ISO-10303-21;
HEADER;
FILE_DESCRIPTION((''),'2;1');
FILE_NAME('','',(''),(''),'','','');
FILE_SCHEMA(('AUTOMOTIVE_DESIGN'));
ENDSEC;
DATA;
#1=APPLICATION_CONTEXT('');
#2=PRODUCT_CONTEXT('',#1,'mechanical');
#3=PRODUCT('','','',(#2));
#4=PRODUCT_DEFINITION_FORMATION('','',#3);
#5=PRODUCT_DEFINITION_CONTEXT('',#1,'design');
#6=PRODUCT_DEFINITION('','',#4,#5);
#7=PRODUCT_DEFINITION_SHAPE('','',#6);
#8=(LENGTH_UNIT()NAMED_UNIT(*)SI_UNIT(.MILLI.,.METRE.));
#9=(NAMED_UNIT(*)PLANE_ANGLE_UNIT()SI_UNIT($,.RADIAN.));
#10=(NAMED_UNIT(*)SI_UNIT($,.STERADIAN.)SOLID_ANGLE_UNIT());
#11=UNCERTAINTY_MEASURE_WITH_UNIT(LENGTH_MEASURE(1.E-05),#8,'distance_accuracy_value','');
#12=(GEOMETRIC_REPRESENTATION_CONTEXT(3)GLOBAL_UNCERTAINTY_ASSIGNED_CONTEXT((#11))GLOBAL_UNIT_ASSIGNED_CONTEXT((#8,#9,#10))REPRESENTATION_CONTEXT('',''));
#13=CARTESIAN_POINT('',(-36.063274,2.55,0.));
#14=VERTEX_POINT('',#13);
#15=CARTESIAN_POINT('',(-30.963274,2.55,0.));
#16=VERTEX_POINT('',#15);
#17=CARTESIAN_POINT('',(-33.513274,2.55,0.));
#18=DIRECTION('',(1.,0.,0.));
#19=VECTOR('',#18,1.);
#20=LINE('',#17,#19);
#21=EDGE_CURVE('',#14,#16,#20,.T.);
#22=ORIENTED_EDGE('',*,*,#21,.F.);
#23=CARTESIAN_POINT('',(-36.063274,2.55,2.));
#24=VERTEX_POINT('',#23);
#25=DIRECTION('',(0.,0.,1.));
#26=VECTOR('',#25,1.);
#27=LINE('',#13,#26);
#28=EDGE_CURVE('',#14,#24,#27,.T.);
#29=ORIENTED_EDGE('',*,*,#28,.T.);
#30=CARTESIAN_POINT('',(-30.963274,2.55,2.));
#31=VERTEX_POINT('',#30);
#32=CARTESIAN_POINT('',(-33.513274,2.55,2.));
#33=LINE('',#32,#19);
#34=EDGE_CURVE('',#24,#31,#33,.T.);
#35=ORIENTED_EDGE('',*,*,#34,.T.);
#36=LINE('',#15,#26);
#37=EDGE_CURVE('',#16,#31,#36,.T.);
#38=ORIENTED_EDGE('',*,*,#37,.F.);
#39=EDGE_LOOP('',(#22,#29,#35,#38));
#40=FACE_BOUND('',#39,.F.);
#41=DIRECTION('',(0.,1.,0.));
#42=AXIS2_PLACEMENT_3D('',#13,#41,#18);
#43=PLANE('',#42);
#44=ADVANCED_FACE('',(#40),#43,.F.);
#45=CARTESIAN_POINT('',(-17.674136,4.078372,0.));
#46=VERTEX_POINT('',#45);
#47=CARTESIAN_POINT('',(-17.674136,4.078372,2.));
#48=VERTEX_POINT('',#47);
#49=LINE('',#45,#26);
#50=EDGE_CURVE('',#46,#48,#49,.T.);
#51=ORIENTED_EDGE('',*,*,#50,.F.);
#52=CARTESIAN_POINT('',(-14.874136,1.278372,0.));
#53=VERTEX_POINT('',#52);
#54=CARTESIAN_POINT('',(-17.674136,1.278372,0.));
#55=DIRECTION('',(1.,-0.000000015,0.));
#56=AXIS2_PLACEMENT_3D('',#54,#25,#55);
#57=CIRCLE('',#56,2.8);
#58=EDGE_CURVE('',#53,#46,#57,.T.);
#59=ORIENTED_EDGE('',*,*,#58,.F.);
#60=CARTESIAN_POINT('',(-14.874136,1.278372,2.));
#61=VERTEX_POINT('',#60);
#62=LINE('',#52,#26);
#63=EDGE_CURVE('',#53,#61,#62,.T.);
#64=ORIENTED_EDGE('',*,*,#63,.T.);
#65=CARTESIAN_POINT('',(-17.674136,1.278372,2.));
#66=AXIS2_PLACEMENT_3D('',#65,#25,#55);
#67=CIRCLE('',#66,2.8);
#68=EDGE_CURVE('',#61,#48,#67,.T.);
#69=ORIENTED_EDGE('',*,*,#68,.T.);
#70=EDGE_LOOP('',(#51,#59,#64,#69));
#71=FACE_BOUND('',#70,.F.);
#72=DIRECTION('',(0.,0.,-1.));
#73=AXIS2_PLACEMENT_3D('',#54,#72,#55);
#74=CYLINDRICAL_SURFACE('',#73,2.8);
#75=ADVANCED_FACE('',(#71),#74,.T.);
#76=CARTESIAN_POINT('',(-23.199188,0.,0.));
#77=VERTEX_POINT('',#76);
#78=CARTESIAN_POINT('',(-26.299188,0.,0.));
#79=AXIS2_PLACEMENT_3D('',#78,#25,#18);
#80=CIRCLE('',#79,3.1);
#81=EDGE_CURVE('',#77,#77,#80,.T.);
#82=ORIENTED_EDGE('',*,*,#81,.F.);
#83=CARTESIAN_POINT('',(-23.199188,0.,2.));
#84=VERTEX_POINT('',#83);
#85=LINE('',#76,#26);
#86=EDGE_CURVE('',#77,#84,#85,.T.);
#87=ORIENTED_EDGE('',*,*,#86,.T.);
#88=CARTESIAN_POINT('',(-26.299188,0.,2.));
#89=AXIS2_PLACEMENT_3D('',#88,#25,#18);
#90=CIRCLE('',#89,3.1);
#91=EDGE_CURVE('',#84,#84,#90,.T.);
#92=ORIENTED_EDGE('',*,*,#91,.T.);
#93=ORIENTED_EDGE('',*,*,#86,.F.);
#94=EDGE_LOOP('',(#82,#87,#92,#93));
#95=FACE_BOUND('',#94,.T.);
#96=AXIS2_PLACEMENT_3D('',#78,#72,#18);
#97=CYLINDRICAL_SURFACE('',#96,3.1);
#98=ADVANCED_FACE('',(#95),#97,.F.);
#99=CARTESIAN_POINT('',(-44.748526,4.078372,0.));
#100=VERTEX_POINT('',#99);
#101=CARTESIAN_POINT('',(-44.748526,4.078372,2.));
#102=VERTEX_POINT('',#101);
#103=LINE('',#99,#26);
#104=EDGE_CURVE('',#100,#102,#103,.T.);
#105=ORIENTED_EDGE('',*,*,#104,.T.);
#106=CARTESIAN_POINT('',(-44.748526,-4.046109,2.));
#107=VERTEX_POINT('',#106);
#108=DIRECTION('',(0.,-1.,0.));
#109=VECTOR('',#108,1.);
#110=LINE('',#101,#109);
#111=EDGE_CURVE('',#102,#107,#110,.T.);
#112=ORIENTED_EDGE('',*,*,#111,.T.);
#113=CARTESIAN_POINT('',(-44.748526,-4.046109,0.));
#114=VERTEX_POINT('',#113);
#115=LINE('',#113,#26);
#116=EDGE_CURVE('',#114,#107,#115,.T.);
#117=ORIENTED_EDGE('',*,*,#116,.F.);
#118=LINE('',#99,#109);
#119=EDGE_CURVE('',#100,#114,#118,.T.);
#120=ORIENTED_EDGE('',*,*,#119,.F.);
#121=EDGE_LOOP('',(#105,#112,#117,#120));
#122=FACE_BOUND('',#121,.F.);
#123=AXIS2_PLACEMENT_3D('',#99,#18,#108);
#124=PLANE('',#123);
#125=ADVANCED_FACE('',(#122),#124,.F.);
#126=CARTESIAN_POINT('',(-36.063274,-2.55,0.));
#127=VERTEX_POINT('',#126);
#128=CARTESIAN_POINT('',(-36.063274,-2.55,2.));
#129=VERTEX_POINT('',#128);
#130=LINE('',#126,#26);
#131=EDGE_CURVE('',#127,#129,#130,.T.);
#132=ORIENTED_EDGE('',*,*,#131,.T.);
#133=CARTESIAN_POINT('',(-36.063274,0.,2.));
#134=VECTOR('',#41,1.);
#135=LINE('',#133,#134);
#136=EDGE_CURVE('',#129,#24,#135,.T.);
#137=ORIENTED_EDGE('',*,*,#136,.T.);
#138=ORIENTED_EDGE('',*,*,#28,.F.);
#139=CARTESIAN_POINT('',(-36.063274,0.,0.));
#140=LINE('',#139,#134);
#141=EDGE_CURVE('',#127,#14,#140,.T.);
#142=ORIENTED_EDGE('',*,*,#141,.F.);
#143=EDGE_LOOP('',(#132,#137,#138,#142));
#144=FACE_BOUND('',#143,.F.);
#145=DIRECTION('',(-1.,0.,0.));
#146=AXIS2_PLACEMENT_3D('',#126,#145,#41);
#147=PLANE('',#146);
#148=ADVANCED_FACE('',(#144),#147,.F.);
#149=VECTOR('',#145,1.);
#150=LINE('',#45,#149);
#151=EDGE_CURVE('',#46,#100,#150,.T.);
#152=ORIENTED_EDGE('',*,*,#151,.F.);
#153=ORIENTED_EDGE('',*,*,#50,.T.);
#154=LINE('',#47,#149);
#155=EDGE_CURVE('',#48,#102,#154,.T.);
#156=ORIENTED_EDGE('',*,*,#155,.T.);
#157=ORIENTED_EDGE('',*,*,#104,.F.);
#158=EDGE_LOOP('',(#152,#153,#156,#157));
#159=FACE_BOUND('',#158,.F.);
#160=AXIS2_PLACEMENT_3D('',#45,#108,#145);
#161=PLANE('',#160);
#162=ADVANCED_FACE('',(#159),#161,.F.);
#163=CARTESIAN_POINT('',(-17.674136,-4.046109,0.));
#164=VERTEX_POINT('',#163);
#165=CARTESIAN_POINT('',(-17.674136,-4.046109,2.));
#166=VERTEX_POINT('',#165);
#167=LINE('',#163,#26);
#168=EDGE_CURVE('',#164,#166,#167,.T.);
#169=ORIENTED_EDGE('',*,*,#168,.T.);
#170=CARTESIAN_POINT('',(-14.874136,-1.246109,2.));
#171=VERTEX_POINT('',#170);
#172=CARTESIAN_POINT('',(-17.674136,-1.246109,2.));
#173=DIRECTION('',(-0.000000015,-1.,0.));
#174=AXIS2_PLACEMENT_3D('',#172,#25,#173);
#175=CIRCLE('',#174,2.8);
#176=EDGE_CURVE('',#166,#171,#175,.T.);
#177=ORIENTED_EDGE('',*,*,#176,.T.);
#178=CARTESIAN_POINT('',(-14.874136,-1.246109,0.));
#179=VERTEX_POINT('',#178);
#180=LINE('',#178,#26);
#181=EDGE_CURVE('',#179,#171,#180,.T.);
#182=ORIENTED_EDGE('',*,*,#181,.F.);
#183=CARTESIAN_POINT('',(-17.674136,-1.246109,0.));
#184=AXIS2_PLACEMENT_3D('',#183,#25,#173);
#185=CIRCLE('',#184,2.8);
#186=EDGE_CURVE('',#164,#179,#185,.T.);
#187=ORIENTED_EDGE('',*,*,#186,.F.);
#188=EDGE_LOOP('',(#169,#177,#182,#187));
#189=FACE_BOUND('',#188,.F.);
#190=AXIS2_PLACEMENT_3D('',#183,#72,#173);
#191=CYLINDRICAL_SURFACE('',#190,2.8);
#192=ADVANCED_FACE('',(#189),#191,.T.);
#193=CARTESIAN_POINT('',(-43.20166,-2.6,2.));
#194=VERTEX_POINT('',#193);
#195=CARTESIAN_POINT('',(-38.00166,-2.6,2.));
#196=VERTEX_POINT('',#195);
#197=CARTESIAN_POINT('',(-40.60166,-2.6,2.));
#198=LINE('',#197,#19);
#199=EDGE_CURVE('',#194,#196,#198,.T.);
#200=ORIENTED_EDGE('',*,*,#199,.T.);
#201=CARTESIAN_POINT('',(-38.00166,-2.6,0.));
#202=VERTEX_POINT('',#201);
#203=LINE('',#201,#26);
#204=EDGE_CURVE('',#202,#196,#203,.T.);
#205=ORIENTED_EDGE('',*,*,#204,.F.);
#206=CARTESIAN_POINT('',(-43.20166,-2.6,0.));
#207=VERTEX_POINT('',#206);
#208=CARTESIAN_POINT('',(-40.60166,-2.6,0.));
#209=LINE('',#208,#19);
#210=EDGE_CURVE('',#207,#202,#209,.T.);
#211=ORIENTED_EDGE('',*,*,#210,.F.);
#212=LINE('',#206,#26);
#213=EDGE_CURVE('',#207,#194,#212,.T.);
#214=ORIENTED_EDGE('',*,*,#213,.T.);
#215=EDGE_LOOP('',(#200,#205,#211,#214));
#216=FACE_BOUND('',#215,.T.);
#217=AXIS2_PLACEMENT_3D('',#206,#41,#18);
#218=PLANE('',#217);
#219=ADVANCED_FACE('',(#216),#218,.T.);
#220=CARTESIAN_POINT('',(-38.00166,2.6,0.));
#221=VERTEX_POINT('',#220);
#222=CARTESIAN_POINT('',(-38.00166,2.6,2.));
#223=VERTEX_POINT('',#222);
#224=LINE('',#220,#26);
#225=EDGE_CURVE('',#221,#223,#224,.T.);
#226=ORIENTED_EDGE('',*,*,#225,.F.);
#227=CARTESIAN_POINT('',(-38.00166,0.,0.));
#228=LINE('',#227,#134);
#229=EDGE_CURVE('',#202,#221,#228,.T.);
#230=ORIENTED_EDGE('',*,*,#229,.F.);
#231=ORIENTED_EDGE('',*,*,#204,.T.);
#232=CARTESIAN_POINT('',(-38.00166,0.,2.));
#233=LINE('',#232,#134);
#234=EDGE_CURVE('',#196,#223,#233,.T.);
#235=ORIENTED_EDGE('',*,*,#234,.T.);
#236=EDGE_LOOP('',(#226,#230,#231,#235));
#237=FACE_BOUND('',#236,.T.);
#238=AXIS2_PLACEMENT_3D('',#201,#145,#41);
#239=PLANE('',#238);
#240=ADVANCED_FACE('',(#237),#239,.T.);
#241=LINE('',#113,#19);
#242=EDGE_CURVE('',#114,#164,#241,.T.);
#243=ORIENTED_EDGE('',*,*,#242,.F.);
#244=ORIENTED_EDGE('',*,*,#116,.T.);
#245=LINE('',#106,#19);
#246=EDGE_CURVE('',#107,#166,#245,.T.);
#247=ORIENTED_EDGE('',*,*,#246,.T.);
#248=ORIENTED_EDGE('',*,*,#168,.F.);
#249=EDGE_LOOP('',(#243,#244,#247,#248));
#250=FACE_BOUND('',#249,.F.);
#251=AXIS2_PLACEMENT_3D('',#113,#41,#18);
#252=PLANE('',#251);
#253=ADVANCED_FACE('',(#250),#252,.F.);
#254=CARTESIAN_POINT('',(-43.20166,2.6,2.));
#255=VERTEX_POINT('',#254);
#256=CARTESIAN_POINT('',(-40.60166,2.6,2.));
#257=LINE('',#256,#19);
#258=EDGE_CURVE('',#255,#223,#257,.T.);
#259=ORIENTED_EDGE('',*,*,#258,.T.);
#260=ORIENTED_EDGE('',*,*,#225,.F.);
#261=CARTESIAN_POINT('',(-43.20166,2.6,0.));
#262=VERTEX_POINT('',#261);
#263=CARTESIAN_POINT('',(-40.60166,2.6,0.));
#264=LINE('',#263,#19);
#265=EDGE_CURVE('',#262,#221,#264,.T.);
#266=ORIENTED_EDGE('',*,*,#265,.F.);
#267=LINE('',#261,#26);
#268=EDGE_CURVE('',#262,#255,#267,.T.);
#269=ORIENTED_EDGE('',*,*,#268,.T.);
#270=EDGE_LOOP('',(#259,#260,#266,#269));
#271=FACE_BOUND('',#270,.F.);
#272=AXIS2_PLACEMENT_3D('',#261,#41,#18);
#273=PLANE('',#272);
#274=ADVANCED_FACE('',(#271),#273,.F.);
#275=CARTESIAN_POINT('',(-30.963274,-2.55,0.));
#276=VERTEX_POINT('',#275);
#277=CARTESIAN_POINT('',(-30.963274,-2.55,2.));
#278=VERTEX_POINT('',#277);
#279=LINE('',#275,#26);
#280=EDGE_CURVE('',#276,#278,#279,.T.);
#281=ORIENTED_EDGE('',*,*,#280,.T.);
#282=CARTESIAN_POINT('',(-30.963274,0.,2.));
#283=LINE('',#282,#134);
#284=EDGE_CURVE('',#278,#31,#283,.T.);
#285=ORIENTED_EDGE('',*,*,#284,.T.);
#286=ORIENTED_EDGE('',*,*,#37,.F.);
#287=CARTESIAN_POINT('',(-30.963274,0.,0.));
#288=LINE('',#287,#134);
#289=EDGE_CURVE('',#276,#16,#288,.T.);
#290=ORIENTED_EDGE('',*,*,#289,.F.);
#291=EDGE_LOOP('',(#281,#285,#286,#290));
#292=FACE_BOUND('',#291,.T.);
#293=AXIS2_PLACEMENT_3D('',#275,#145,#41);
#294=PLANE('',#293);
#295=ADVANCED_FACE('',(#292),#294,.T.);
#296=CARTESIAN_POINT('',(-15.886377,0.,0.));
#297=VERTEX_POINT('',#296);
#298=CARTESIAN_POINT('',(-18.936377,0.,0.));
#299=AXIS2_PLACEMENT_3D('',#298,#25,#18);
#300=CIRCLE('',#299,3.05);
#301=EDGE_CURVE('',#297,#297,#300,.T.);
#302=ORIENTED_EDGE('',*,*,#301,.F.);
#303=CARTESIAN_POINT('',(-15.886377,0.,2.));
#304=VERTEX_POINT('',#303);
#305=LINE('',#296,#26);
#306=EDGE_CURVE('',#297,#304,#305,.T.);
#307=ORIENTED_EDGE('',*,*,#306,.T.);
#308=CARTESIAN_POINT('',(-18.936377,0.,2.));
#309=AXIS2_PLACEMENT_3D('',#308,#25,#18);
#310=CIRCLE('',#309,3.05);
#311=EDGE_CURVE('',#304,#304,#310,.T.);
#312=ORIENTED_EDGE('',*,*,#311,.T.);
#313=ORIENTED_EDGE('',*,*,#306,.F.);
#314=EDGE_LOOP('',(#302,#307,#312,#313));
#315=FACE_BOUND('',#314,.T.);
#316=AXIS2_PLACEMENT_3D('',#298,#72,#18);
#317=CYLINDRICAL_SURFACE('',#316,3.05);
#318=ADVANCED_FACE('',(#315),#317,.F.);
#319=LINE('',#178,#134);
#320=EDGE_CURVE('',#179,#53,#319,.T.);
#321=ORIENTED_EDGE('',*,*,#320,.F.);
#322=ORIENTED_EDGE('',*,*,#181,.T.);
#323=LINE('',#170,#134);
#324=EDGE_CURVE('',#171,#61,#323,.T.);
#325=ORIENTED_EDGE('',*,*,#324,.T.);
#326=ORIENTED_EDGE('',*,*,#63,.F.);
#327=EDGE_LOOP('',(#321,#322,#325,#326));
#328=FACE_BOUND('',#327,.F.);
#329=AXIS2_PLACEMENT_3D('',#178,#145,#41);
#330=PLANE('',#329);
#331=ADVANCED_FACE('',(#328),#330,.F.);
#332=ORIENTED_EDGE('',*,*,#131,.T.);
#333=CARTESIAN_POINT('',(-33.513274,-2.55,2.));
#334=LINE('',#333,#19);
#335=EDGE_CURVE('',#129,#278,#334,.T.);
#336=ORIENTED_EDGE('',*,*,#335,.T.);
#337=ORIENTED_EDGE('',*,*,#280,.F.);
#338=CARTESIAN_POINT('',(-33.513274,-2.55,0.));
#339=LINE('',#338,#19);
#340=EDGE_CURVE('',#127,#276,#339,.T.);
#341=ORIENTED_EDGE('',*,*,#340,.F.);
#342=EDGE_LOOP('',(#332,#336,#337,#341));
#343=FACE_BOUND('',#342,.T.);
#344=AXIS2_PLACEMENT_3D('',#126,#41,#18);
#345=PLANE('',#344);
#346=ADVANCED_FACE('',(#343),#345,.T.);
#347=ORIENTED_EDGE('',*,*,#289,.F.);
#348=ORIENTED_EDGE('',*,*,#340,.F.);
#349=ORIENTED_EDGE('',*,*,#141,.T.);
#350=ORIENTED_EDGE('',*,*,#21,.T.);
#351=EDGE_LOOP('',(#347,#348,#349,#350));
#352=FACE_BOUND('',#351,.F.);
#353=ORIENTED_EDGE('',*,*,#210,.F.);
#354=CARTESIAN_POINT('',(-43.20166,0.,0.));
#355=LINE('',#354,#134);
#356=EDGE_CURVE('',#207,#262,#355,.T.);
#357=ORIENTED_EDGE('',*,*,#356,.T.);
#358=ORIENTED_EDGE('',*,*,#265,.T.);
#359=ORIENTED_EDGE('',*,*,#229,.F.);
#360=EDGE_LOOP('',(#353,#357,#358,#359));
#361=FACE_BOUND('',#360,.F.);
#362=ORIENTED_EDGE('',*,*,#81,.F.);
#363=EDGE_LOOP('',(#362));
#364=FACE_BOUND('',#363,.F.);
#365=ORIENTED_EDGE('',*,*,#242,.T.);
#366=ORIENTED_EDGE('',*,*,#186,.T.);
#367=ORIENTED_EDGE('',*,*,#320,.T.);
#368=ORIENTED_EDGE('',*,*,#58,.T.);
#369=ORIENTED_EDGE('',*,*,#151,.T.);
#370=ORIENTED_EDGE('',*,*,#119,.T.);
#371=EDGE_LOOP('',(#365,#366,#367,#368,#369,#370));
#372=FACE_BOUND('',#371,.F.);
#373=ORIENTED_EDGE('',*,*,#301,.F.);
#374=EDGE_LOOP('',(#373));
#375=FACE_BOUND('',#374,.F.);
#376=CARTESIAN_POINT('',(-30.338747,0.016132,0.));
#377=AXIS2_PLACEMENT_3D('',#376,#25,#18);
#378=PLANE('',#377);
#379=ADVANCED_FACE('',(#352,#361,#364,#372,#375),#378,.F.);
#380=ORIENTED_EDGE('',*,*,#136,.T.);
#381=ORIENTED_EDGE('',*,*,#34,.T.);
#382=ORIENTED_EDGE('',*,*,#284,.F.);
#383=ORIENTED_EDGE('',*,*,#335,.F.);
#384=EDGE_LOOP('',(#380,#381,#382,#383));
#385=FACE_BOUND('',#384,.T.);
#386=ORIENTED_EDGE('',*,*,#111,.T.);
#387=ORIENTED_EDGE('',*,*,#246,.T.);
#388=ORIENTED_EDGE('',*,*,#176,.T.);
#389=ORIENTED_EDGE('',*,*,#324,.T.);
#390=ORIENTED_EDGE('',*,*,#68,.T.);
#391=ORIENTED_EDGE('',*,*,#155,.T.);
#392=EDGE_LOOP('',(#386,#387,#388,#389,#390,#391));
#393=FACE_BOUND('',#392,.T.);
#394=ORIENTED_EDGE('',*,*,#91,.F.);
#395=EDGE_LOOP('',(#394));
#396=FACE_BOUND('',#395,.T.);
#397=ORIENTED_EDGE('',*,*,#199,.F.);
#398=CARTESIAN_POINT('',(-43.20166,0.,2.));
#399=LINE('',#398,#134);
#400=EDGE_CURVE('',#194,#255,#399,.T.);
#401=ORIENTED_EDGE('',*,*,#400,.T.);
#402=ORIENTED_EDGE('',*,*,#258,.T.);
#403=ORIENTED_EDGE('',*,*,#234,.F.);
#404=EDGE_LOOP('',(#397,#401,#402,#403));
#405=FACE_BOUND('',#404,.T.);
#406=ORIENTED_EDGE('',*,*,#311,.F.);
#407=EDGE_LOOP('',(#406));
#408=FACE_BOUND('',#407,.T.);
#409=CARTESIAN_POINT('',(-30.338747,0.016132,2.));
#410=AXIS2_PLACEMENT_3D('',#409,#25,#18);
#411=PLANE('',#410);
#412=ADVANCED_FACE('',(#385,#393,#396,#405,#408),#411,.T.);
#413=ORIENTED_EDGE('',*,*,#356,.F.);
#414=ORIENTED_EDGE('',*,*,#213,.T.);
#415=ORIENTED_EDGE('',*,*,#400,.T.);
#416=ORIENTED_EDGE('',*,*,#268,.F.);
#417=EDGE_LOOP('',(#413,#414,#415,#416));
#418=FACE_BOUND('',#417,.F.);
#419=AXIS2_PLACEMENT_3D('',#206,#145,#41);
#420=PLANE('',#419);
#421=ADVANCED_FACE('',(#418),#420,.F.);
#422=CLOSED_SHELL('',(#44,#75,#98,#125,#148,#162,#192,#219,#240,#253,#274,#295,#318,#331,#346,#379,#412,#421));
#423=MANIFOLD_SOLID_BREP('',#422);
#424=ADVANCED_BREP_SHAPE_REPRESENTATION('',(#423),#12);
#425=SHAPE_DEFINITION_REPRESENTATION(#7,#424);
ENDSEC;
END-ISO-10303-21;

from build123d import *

# Parameters (mm, degrees)
F0_W     = 5.2
F0_H     = 5.2
F0_W_2   = 5.1
F0_H_2   = 5.1
F0_R     = 3.1
F0_R_2   = 3.05
F1_DEPTH = 2


with BuildPart() as f1:
    # F0 (on Top) → F1 (new body)
    with BuildSketch(Plane.XY):
        with BuildLine():
            Line((-17.674136, 4.078372), (-44.748526, 4.078372))
            Line((-44.748526, 4.078372), (-44.748526, -4.046109))
            Line((-44.748526, -4.046109), (-17.674136, -4.046109))
            ThreePointArc((-17.674136, -4.046109), (-15.694237, -3.226008), (-14.874136, -1.246109))
            Line((-14.874136, -1.246109), (-14.874136, 1.278372))
            ThreePointArc((-14.874136, 1.278372), (-15.694237, 3.258271), (-17.674136, 4.078372))
        make_face()
        with Locations((-40.60166, 0)):
            Rectangle(F0_W, F0_H, mode=Mode.SUBTRACT)
        with Locations((-33.513274, 0)):
            Rectangle(F0_W_2, F0_H_2, mode=Mode.SUBTRACT)
        with Locations((-26.299188, 0)):
            Circle(F0_R, mode=Mode.SUBTRACT)
        with Locations((-18.936377, 0)):
            Circle(F0_R_2, mode=Mode.SUBTRACT)
    extrude(amount=F1_DEPTH)


solid = f1.part
